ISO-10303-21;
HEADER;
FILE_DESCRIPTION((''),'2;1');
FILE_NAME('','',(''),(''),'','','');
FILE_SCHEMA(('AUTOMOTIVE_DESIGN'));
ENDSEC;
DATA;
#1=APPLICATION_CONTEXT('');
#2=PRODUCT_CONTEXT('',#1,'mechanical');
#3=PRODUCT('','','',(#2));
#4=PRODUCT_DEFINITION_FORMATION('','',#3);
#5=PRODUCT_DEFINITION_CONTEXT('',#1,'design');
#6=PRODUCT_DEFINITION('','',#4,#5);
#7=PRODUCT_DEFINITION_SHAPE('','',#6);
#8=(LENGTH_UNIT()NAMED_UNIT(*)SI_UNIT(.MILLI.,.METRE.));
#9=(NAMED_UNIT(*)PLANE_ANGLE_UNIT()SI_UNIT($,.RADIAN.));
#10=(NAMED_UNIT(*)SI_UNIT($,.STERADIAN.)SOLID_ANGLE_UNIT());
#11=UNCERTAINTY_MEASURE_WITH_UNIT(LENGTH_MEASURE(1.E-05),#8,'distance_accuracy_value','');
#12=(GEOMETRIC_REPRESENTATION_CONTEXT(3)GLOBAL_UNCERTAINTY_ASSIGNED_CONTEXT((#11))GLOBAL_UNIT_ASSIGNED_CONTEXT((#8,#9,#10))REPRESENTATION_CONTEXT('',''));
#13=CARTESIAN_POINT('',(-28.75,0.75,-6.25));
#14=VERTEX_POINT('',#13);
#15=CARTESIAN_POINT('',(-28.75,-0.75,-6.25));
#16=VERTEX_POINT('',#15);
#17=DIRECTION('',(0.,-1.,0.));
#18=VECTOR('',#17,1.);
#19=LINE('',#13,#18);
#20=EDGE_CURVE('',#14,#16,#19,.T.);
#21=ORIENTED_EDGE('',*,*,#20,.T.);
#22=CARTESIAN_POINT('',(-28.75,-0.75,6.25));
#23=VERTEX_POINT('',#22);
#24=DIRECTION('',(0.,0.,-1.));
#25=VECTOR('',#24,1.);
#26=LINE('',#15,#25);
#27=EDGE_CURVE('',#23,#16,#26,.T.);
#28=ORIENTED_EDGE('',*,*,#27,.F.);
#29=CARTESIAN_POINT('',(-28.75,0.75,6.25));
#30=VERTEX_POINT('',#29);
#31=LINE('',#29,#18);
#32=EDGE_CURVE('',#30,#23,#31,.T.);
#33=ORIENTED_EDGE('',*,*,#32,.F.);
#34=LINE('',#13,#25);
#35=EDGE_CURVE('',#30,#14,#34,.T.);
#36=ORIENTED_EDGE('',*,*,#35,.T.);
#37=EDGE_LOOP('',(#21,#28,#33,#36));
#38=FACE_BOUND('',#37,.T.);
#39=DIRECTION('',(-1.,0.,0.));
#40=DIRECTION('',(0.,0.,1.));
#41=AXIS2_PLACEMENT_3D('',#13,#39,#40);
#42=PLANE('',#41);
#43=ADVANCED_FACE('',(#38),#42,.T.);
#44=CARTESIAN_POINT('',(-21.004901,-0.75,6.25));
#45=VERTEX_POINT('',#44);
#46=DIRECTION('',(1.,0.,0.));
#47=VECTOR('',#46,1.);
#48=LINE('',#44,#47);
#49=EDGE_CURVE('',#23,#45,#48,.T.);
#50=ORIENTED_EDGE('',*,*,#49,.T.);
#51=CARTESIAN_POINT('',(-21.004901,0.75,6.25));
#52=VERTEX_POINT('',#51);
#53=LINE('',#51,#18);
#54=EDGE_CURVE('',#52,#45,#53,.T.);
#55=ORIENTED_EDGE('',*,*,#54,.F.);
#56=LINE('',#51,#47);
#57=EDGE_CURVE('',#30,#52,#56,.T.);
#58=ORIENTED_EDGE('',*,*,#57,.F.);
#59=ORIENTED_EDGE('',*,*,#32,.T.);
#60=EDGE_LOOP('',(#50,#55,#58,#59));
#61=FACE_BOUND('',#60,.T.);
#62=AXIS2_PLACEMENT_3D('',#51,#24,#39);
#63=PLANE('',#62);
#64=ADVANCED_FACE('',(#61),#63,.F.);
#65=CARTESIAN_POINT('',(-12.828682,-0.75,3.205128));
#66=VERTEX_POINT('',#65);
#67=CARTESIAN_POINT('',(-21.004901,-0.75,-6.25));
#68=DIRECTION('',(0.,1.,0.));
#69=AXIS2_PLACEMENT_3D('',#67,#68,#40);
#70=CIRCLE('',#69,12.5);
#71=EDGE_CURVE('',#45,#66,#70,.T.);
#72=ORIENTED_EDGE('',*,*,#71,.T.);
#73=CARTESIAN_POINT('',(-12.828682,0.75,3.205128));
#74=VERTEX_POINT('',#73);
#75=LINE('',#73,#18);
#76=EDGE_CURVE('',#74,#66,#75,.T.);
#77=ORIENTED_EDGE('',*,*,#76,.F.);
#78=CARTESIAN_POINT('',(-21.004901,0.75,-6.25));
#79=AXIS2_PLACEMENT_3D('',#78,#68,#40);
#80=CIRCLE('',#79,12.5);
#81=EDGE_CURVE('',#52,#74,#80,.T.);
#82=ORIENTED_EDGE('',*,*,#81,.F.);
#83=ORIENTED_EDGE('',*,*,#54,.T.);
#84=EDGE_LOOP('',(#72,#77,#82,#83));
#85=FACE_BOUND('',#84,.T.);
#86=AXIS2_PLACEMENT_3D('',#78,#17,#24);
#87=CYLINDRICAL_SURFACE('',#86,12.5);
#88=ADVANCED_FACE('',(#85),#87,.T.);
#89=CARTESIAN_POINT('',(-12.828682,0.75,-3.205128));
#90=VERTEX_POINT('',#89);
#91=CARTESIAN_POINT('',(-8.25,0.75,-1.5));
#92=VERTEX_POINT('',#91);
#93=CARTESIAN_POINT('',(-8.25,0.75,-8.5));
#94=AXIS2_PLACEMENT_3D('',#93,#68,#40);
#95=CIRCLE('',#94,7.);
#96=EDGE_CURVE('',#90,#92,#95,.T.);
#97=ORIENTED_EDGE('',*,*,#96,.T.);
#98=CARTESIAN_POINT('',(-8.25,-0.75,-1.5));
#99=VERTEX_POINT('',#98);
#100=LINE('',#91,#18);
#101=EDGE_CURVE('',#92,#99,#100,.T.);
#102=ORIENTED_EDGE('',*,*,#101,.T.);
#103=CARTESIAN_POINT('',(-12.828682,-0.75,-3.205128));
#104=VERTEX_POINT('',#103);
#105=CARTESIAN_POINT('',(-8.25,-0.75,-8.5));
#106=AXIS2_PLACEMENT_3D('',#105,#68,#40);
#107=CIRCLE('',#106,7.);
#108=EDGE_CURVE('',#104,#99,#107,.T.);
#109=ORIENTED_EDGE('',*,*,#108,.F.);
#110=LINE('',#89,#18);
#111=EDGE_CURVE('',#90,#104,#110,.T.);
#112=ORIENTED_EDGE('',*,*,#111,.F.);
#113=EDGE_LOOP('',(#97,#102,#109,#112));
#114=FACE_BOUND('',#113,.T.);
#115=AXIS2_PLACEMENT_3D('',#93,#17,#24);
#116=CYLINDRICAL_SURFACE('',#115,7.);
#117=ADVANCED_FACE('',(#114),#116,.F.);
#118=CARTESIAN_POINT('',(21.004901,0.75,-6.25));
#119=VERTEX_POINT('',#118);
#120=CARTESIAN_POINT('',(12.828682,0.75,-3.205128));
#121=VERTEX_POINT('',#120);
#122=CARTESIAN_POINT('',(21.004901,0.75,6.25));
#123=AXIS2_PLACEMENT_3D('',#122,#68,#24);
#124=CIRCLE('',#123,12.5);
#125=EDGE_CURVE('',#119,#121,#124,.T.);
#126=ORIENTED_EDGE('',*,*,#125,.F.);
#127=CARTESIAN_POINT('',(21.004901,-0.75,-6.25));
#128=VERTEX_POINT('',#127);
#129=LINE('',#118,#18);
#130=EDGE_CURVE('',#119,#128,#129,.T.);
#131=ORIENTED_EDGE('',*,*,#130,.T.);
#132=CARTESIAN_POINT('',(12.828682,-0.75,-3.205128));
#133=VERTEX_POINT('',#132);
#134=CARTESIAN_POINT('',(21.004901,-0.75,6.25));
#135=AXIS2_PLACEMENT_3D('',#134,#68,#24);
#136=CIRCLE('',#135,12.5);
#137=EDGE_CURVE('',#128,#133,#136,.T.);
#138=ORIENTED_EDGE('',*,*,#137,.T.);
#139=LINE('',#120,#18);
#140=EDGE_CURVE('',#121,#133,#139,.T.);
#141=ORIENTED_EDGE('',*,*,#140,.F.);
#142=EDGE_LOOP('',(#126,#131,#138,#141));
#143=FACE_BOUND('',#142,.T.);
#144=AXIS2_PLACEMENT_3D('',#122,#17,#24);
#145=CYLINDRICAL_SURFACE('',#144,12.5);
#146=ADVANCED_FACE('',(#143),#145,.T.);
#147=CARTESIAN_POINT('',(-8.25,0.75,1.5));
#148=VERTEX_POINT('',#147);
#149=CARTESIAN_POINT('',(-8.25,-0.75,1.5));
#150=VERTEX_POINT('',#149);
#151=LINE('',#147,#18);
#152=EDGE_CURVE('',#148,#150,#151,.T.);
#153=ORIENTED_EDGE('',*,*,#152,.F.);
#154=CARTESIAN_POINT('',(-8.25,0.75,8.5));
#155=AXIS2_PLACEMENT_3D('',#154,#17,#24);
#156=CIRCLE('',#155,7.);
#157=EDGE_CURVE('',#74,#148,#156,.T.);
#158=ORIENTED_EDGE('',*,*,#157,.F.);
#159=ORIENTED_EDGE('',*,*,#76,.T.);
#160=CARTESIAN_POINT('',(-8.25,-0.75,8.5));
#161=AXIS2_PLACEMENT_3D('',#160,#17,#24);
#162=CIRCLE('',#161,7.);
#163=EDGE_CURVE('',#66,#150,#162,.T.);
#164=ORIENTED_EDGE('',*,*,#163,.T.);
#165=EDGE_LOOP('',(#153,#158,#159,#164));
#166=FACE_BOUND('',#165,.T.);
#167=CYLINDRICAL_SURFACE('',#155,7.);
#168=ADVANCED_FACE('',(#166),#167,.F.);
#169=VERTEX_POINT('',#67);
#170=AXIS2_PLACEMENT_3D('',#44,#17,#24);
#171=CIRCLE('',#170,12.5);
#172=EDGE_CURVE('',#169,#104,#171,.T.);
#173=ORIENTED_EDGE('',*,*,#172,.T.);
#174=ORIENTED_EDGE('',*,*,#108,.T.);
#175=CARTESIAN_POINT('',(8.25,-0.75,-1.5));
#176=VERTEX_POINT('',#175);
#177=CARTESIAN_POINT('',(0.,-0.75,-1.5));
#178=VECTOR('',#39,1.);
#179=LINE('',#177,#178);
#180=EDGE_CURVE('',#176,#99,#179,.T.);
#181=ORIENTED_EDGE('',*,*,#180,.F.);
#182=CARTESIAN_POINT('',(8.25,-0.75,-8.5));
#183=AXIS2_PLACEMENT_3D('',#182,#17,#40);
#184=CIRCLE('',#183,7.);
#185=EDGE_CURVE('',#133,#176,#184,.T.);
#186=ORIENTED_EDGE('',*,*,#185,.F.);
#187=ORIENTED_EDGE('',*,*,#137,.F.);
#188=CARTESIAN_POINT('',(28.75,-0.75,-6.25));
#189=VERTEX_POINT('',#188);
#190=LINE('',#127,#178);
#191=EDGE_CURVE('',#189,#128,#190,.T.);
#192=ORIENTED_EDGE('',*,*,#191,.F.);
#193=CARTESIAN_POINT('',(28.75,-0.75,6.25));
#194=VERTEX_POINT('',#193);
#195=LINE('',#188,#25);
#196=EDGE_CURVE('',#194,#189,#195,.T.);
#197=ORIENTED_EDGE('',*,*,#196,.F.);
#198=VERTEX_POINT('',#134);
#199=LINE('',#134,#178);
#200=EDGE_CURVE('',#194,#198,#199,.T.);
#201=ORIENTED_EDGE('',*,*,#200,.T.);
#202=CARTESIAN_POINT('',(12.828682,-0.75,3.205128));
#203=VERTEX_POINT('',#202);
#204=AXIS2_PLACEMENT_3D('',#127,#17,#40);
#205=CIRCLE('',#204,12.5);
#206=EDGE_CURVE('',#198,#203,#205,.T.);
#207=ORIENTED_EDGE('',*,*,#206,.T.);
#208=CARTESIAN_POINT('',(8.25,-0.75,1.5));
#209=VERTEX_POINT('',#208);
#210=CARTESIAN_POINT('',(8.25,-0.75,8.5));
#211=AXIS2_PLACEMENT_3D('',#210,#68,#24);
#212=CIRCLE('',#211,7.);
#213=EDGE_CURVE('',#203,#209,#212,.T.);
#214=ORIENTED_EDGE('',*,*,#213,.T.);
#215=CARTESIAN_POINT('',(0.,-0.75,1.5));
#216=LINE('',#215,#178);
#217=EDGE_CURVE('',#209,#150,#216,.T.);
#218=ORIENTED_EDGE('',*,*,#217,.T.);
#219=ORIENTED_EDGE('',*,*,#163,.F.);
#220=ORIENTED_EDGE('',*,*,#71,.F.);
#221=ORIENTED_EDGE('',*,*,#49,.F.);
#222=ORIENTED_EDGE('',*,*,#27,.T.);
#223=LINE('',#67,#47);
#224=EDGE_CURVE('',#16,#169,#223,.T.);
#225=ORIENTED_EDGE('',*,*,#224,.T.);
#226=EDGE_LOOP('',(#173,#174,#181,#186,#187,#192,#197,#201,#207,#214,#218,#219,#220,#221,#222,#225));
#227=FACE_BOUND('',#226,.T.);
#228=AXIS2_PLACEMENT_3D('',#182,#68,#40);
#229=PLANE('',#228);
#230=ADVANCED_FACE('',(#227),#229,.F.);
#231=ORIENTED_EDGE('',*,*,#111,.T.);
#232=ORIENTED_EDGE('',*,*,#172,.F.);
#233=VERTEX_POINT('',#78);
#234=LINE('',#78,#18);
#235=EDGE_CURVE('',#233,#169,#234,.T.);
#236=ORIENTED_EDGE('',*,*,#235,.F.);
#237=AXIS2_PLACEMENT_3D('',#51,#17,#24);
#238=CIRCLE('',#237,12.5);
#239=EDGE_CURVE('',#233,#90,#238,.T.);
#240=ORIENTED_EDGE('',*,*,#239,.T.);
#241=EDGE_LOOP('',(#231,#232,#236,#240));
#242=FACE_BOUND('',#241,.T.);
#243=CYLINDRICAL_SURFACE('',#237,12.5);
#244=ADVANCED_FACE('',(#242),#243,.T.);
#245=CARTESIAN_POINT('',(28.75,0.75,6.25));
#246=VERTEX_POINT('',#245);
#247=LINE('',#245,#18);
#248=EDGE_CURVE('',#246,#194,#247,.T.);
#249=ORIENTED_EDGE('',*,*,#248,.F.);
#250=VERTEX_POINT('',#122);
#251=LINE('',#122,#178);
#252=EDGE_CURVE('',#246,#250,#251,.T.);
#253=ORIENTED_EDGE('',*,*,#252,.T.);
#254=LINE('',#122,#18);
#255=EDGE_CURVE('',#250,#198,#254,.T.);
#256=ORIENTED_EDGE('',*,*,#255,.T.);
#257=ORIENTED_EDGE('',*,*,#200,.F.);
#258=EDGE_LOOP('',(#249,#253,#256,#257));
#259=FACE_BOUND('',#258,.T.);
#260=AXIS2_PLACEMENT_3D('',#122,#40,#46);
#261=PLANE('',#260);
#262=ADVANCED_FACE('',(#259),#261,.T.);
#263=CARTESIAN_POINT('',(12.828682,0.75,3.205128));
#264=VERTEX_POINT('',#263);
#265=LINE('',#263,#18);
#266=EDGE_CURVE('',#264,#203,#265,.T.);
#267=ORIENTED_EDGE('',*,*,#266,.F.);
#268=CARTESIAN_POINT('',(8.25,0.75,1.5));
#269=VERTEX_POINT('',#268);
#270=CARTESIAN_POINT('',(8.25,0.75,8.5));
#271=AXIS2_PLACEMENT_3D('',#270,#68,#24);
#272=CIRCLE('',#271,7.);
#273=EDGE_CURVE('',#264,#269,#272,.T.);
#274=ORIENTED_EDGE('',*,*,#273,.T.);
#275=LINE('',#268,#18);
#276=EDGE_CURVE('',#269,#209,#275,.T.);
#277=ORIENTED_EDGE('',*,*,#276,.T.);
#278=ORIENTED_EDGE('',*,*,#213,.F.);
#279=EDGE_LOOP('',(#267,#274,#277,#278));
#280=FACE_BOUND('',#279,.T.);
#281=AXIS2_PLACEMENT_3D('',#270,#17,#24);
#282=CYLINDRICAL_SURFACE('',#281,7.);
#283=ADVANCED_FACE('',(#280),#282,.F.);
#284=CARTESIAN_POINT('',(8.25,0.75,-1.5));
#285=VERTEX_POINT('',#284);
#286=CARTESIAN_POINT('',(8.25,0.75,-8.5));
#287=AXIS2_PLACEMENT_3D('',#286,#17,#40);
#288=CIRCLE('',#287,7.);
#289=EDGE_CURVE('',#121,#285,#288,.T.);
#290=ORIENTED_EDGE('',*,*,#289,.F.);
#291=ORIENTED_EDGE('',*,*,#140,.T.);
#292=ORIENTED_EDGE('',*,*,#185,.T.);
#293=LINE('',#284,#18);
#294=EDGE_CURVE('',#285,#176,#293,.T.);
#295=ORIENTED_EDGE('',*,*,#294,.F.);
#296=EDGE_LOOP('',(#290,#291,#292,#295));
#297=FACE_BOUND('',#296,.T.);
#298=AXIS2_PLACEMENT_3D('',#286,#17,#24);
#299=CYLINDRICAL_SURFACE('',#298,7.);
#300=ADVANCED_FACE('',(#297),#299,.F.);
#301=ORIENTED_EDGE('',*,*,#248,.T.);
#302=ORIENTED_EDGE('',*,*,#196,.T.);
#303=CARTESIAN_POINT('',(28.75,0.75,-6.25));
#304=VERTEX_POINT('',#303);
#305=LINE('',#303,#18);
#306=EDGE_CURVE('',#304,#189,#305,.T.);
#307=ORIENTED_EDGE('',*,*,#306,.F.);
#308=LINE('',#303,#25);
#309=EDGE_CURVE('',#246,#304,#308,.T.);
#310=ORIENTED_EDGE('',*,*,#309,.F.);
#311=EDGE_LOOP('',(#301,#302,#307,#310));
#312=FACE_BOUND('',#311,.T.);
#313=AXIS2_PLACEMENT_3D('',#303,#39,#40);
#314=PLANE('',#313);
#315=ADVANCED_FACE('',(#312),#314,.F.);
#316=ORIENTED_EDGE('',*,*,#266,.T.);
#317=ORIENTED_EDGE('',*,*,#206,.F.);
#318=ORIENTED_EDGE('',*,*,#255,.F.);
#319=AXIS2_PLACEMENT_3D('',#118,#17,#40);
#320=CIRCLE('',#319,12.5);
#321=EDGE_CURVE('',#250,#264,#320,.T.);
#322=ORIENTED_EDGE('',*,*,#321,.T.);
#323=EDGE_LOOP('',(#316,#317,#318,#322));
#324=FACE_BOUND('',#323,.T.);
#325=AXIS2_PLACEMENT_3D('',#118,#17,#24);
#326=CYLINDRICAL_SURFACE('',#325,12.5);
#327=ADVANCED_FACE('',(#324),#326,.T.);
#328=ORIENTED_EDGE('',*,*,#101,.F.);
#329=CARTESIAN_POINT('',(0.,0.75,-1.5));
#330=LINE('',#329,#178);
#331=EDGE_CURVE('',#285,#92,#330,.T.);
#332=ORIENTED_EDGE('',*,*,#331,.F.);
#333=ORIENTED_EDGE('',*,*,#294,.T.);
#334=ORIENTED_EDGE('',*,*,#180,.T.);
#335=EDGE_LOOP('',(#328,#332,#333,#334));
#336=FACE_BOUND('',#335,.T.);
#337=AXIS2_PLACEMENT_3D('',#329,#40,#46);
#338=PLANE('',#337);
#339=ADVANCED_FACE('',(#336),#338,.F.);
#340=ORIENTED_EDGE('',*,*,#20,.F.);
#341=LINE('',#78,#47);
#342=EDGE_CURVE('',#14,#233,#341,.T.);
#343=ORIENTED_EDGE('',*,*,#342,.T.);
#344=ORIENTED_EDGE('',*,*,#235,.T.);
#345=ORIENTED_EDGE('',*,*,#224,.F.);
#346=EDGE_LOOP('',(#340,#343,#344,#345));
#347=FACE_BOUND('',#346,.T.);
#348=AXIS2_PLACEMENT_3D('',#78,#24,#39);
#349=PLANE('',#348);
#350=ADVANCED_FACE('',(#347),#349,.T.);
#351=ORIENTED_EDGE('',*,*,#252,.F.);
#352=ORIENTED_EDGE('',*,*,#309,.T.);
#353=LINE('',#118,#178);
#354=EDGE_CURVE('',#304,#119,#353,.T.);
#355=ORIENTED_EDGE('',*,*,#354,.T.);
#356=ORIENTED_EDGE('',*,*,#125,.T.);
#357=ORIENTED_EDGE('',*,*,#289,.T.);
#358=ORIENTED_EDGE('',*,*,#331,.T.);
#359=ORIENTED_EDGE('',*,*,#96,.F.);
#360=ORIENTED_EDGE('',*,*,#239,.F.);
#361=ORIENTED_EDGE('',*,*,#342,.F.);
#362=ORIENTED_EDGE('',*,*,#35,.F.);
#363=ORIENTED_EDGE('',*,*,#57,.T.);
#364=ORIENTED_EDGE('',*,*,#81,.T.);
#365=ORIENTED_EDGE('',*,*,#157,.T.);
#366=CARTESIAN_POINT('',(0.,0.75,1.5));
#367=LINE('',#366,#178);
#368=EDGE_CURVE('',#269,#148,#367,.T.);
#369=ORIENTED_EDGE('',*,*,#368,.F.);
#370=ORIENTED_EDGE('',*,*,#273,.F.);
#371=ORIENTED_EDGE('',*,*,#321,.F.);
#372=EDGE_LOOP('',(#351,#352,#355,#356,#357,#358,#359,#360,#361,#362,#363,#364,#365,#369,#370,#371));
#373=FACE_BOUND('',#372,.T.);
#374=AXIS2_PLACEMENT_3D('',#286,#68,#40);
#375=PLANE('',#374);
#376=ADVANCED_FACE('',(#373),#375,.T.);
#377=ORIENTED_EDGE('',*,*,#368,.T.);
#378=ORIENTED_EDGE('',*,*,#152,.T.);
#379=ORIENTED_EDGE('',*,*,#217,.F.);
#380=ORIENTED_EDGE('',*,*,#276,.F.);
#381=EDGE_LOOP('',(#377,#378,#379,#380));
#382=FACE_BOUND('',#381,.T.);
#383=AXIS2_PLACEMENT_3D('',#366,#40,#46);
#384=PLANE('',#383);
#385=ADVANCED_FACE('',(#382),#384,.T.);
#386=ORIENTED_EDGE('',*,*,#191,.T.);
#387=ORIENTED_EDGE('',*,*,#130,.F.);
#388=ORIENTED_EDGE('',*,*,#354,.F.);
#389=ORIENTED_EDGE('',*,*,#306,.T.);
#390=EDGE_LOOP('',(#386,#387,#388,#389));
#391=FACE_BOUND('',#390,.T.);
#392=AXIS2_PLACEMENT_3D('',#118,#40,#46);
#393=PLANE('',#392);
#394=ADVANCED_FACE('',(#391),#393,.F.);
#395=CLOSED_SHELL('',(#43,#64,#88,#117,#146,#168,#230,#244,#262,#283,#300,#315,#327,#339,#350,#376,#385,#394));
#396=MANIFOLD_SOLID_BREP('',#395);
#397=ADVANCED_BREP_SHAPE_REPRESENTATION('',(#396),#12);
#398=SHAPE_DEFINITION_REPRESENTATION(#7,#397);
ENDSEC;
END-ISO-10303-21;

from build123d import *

# Parameters (mm, degrees)
BOSS_EXTRUDE1_DEPTH                      = 1.5
MIRROR1_AT_THE_SECOND_PLANE_COPY_1_DEPTH = 1.5
SCALE1_SCALE                             = 0.5


with BuildPart() as part:
    # Sketch1 → Boss-Extrude1 (new, symmetric)
    with BuildSketch(Plane(origin=(0, 0, 0), x_dir=(1, 0, 0), z_dir=(0, 1, 0))):
        with BuildLine():
            Line((0, 3), (16.5, 3))
            ThreePointArc((16.5, 3), (21.385877083, 3.880236087), (25.657364834, 6.41025641))
            ThreePointArc((25.657364834, 6.41025641), (33.285021532, 10.928149844), (42.009802038, 12.5))
            Line((42.009802038, 12.5), (57.5, 12.5))
            Line((57.5, 12.5), (57.5, 0))
            Line((57.5, 0), (0, 0))
            Line((0, 0), (0, 3))
        make_face()
    boss_extrude1 = extrude(amount=BOSS_EXTRUDE1_DEPTH, both=True)



with BuildPart() as mirror1_1:
    # Mirror1: Boss-Extrude1 across plane
    add(boss_extrude1.mirror(Plane(origin=(0, 0, 0), x_dir=(0, 0, 1), z_dir=(1, 0, 0))))


with BuildPart() as part_1:
    add(part.part)

    add(mirror1_1.part)  # Mirror1 at the second plane merges Mirror1_1
    # Mirror1 at the second plane: Boss-Extrude1 across plane
    add(boss_extrude1.mirror(Plane.XY))

    # Mirror1 at the second plane copy 1 sketc → Mirror1 at the second plane copy 1 (add, symmetric)
    with BuildSketch(Plane(origin=(0, 0, 0), x_dir=(-1, 0, 0), z_dir=(0, 1, 0))):
        with BuildLine():
            Line((0, 3), (16.5, 3))
            ThreePointArc((16.5, 3), (21.385877083, 3.880236087), (25.657364834, 6.41025641))
            ThreePointArc((25.657364834, 6.41025641), (33.285021532, 10.928149844), (42.009802038, 12.5))
            Line((42.009802038, 12.5), (57.5, 12.5))
            Line((57.5, 12.5), (57.5, 0))
            Line((57.5, 0), (0, 0))
            Line((0, 0), (0, 3))
        make_face()
    extrude(amount=MIRROR1_AT_THE_SECOND_PLANE_COPY_1_DEPTH, both=True)


with BuildPart() as part_2:
    # Scale1: scaled about (0, 0, 0)
    add(part_1.part.scale(SCALE1_SCALE))


solid = part_2.part
